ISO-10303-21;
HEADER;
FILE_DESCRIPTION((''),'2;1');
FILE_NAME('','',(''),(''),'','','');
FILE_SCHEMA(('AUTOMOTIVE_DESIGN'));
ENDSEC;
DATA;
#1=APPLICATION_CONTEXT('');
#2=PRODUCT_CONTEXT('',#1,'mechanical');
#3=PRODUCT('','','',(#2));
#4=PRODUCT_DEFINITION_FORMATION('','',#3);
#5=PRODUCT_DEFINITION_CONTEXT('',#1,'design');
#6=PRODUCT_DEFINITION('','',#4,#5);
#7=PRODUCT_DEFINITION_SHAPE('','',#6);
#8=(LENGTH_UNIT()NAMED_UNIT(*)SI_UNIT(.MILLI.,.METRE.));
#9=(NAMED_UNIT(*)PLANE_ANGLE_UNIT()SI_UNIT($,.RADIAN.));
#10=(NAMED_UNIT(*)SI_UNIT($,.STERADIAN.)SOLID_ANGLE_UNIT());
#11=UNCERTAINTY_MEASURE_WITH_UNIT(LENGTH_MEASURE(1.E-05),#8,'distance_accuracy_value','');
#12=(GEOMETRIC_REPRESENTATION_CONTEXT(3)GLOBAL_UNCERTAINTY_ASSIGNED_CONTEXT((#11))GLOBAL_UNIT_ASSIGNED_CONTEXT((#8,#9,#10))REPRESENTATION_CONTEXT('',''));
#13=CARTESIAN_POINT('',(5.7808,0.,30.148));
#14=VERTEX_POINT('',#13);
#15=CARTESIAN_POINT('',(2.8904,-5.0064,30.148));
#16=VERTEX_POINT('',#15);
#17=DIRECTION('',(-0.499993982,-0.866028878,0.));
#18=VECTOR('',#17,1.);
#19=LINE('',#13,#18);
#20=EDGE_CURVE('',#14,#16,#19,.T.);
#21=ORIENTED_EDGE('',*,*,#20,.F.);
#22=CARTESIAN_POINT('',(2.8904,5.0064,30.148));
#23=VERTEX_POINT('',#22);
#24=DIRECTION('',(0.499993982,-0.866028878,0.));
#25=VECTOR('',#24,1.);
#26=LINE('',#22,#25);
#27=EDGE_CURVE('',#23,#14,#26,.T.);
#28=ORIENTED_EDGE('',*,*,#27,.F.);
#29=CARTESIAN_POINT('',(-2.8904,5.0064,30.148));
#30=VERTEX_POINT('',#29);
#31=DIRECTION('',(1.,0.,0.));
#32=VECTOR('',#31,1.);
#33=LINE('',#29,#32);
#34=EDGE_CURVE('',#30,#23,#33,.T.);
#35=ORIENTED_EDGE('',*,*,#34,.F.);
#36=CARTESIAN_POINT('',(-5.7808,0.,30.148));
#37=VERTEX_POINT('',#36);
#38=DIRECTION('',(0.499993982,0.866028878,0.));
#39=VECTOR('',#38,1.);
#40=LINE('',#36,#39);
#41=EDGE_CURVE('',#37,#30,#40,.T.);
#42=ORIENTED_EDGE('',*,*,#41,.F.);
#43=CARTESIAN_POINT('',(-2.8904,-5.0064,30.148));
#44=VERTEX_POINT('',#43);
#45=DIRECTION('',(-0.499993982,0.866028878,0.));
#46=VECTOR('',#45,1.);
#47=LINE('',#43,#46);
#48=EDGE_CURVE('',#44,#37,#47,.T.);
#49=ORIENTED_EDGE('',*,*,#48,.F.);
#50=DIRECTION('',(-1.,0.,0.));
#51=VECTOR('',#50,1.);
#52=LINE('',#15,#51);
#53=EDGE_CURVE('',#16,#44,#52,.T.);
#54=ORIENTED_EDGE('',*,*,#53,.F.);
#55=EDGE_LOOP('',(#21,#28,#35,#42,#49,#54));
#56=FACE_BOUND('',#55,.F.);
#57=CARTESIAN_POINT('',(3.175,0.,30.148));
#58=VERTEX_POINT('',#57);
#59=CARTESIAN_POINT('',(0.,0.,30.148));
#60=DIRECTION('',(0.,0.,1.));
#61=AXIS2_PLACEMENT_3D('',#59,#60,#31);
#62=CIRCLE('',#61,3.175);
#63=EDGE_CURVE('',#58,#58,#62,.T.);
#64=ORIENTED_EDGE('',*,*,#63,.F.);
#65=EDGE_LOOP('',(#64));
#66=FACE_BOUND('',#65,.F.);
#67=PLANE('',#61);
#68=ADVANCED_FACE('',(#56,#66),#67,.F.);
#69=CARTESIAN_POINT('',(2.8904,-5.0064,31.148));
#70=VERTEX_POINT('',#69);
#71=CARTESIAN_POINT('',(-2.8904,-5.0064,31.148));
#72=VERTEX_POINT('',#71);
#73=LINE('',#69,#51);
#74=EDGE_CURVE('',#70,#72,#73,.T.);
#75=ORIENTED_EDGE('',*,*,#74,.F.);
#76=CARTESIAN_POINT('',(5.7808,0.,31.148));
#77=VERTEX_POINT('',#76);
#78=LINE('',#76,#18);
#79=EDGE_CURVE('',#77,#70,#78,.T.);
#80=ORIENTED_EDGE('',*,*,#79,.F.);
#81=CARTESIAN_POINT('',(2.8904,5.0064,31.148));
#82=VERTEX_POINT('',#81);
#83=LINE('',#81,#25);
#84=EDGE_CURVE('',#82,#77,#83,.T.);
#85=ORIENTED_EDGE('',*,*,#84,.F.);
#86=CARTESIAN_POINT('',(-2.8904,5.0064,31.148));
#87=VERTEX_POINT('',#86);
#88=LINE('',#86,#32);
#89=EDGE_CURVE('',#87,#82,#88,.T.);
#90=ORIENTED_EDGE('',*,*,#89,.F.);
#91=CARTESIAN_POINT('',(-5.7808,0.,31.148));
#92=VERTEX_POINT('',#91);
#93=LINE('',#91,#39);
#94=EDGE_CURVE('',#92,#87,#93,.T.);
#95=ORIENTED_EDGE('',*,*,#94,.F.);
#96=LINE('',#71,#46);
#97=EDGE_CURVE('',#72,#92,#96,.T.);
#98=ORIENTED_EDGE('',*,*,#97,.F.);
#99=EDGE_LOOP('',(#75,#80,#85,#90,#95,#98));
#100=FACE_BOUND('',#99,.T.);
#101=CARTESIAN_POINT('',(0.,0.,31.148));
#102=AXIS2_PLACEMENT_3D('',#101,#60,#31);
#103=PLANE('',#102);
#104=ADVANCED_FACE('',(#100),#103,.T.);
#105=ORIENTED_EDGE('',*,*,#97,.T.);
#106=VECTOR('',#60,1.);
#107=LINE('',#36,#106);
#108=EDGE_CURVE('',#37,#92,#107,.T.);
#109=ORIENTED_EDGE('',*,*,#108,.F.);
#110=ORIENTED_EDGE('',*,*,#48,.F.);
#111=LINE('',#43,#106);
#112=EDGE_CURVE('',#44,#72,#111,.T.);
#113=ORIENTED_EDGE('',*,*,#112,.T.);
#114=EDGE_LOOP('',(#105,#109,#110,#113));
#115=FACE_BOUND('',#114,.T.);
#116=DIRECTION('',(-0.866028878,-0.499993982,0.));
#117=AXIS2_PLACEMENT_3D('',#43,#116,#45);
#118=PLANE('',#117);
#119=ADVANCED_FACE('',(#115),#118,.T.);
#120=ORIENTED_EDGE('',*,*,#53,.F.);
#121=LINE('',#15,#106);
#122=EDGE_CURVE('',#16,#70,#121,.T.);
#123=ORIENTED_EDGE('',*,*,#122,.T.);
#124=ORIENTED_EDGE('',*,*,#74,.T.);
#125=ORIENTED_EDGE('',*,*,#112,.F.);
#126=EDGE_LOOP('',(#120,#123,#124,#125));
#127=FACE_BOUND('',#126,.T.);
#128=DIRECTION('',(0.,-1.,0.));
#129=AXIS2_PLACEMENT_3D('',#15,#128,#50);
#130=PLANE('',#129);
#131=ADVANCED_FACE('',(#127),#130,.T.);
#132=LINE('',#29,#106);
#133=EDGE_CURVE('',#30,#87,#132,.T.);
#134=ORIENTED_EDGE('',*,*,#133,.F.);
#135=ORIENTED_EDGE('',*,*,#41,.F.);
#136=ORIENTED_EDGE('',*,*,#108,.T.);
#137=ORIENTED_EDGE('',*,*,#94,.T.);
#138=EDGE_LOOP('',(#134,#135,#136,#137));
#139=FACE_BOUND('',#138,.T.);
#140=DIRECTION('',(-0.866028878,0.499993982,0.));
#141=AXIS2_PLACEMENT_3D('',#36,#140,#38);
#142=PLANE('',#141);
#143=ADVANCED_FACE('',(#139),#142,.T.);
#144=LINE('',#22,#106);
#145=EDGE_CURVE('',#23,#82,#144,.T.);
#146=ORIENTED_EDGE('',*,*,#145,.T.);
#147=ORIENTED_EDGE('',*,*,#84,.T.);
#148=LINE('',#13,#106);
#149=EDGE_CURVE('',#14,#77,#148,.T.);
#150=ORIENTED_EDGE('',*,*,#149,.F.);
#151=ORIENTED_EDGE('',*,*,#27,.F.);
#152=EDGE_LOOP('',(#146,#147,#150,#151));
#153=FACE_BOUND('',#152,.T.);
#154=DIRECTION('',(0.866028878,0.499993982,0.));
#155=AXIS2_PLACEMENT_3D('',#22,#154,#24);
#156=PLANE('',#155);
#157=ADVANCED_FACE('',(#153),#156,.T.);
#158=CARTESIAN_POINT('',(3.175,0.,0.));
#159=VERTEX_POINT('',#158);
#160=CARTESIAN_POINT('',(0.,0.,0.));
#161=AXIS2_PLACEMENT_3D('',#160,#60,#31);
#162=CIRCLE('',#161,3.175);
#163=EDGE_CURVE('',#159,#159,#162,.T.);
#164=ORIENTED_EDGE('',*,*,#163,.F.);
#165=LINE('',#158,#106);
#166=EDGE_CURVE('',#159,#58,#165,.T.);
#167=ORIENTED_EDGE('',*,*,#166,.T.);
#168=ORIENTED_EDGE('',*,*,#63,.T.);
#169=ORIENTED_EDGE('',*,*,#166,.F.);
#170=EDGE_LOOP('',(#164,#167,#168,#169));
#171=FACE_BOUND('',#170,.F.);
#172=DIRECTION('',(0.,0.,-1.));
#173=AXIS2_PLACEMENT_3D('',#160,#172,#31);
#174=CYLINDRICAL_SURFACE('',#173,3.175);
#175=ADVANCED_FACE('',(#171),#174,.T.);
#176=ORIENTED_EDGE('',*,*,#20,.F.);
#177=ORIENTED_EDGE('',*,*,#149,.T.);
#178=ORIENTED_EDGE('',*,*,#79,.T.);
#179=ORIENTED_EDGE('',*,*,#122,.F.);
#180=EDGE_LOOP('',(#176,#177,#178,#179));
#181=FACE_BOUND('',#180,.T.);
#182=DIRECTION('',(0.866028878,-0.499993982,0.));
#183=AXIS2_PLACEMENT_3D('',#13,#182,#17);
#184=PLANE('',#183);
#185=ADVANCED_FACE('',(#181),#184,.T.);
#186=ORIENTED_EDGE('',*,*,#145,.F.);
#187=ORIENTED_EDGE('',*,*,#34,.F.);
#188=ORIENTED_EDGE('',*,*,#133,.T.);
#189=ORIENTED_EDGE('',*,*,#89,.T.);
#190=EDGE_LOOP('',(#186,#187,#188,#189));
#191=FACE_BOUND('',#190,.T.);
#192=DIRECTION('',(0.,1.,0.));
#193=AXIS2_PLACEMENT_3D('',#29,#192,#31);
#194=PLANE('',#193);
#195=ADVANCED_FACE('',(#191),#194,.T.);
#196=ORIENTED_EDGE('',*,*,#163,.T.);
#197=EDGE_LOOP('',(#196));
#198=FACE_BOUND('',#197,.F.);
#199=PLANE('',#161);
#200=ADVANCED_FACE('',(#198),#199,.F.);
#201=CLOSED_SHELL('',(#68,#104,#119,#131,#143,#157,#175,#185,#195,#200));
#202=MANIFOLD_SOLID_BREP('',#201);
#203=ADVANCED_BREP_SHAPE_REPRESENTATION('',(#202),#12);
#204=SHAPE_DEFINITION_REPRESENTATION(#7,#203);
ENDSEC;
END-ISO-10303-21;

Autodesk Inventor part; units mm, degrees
ref_plane "YZ Plane" through (0, 0, 0) normal (1, 0, 0) x (0, 1, 0)
ref_plane "XZ Plane" through (0, 0, 0) normal (0, 1, 0) x (-1, 0, 0)
ref_plane "XY Plane" through (0, 0, 0) normal (0, 0, 1) x (1, 0, 0)
sketch "Sketch1" plane through (0, 0, 0) normal (0, 0, 1) x (1, 0, 0)
  circle A0 centre (0, 0) radius 3.175
  dimension "d0" = 6.35
extrude "Extrusion1" add sketch "Sketch1" along normal blind 30.148
sketch "Sketch2" plane through (0, 0, 30.148) normal (0, 0, 1) x (1, 0, 0)
  line L0 (5.7808, 0) -> (2.8904, -5.0064)
  line L1 (2.8904, -5.0064) -> (-2.8904, -5.0064)
  line L2 (-2.8904, -5.0064) -> (-5.7808, 0)
  line L3 (-5.7808, 0) -> (-2.8904, 5.0064)
  line L4 (-2.8904, 5.0064) -> (2.8904, 5.0064)
  line L5 (2.8904, 5.0064) -> (5.7808, 0)
  point P0 (0, 0)
  point P1 (0, 0)
extrude "Extrusion2" add sketch "Sketch2" along normal blind 1
thread "Thread1" size "1/4-20 UNC" class "2A" standard "ANSI Unified Screw Threads" full length
properties part number "Pedal Bolt Outside Right"
